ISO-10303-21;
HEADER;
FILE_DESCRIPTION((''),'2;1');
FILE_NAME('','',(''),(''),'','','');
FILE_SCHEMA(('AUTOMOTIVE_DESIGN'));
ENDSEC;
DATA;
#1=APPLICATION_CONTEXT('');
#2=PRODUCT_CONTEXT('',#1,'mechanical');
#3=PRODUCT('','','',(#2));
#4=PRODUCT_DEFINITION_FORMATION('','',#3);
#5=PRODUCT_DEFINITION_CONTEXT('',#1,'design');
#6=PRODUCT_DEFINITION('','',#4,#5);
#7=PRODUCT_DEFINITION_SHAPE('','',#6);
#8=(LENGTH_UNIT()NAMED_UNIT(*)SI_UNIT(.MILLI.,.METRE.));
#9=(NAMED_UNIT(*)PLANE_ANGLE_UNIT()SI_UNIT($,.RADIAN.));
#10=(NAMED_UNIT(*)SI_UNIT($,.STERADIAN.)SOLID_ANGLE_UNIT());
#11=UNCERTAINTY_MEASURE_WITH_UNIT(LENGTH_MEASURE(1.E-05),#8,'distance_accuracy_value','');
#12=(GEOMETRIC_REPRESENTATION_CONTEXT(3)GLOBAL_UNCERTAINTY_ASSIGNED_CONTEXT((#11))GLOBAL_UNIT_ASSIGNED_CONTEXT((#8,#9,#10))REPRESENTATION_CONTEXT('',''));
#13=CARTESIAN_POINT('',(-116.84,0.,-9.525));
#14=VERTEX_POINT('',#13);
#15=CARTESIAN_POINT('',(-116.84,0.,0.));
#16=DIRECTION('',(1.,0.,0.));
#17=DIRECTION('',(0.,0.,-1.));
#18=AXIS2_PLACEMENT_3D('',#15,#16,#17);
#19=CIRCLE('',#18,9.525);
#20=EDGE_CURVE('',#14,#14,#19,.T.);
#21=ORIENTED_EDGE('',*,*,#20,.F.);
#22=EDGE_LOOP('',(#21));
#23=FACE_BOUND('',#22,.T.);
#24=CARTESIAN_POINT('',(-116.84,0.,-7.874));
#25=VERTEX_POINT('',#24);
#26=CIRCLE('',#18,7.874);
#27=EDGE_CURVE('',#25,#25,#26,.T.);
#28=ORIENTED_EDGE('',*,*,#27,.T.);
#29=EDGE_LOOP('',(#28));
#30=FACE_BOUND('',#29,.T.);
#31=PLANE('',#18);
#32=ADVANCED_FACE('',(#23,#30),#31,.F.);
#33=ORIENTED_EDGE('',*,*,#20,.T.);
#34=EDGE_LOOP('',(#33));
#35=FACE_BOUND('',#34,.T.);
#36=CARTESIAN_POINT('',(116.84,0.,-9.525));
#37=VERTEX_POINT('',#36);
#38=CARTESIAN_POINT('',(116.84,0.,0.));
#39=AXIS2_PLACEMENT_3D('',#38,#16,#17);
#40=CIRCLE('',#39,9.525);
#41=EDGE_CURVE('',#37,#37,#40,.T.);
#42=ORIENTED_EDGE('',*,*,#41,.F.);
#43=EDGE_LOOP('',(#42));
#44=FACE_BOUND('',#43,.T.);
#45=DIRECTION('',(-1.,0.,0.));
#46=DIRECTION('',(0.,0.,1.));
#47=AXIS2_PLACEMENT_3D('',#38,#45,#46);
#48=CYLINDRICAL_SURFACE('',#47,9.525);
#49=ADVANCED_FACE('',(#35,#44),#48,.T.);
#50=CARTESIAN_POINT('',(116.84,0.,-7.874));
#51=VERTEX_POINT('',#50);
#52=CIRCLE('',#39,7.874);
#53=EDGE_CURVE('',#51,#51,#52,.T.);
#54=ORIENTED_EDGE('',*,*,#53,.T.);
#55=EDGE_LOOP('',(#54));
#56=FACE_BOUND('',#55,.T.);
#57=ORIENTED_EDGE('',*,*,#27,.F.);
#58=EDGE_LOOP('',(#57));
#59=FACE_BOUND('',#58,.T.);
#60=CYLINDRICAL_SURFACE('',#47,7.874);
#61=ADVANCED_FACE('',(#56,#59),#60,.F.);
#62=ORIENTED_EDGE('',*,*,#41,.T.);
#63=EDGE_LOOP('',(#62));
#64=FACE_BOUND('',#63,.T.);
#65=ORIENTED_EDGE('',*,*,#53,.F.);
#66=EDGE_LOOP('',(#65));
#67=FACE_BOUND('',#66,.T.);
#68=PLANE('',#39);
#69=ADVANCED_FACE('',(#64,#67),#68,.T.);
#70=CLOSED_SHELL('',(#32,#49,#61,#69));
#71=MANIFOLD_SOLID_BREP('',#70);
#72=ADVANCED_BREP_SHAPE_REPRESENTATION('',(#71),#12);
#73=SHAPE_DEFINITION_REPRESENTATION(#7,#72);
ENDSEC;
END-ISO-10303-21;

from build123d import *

# Parameters (mm, degrees)
SKETCH1_R           = 9.525
SKETCH1_R_2         = 7.874
BOSS_EXTRUDE1_DEPTH = 116.84


with BuildPart() as part:
    # Sketch1 → Boss-Extrude1 (new body, symmetric)
    with BuildSketch(Plane(origin=(0, 0, 0), x_dir=(0, 0, -1), z_dir=(1, 0, 0))):
        Circle(SKETCH1_R)
        Circle(SKETCH1_R_2, mode=Mode.SUBTRACT)
    extrude(amount=BOSS_EXTRUDE1_DEPTH, both=True)


solid = part.part
